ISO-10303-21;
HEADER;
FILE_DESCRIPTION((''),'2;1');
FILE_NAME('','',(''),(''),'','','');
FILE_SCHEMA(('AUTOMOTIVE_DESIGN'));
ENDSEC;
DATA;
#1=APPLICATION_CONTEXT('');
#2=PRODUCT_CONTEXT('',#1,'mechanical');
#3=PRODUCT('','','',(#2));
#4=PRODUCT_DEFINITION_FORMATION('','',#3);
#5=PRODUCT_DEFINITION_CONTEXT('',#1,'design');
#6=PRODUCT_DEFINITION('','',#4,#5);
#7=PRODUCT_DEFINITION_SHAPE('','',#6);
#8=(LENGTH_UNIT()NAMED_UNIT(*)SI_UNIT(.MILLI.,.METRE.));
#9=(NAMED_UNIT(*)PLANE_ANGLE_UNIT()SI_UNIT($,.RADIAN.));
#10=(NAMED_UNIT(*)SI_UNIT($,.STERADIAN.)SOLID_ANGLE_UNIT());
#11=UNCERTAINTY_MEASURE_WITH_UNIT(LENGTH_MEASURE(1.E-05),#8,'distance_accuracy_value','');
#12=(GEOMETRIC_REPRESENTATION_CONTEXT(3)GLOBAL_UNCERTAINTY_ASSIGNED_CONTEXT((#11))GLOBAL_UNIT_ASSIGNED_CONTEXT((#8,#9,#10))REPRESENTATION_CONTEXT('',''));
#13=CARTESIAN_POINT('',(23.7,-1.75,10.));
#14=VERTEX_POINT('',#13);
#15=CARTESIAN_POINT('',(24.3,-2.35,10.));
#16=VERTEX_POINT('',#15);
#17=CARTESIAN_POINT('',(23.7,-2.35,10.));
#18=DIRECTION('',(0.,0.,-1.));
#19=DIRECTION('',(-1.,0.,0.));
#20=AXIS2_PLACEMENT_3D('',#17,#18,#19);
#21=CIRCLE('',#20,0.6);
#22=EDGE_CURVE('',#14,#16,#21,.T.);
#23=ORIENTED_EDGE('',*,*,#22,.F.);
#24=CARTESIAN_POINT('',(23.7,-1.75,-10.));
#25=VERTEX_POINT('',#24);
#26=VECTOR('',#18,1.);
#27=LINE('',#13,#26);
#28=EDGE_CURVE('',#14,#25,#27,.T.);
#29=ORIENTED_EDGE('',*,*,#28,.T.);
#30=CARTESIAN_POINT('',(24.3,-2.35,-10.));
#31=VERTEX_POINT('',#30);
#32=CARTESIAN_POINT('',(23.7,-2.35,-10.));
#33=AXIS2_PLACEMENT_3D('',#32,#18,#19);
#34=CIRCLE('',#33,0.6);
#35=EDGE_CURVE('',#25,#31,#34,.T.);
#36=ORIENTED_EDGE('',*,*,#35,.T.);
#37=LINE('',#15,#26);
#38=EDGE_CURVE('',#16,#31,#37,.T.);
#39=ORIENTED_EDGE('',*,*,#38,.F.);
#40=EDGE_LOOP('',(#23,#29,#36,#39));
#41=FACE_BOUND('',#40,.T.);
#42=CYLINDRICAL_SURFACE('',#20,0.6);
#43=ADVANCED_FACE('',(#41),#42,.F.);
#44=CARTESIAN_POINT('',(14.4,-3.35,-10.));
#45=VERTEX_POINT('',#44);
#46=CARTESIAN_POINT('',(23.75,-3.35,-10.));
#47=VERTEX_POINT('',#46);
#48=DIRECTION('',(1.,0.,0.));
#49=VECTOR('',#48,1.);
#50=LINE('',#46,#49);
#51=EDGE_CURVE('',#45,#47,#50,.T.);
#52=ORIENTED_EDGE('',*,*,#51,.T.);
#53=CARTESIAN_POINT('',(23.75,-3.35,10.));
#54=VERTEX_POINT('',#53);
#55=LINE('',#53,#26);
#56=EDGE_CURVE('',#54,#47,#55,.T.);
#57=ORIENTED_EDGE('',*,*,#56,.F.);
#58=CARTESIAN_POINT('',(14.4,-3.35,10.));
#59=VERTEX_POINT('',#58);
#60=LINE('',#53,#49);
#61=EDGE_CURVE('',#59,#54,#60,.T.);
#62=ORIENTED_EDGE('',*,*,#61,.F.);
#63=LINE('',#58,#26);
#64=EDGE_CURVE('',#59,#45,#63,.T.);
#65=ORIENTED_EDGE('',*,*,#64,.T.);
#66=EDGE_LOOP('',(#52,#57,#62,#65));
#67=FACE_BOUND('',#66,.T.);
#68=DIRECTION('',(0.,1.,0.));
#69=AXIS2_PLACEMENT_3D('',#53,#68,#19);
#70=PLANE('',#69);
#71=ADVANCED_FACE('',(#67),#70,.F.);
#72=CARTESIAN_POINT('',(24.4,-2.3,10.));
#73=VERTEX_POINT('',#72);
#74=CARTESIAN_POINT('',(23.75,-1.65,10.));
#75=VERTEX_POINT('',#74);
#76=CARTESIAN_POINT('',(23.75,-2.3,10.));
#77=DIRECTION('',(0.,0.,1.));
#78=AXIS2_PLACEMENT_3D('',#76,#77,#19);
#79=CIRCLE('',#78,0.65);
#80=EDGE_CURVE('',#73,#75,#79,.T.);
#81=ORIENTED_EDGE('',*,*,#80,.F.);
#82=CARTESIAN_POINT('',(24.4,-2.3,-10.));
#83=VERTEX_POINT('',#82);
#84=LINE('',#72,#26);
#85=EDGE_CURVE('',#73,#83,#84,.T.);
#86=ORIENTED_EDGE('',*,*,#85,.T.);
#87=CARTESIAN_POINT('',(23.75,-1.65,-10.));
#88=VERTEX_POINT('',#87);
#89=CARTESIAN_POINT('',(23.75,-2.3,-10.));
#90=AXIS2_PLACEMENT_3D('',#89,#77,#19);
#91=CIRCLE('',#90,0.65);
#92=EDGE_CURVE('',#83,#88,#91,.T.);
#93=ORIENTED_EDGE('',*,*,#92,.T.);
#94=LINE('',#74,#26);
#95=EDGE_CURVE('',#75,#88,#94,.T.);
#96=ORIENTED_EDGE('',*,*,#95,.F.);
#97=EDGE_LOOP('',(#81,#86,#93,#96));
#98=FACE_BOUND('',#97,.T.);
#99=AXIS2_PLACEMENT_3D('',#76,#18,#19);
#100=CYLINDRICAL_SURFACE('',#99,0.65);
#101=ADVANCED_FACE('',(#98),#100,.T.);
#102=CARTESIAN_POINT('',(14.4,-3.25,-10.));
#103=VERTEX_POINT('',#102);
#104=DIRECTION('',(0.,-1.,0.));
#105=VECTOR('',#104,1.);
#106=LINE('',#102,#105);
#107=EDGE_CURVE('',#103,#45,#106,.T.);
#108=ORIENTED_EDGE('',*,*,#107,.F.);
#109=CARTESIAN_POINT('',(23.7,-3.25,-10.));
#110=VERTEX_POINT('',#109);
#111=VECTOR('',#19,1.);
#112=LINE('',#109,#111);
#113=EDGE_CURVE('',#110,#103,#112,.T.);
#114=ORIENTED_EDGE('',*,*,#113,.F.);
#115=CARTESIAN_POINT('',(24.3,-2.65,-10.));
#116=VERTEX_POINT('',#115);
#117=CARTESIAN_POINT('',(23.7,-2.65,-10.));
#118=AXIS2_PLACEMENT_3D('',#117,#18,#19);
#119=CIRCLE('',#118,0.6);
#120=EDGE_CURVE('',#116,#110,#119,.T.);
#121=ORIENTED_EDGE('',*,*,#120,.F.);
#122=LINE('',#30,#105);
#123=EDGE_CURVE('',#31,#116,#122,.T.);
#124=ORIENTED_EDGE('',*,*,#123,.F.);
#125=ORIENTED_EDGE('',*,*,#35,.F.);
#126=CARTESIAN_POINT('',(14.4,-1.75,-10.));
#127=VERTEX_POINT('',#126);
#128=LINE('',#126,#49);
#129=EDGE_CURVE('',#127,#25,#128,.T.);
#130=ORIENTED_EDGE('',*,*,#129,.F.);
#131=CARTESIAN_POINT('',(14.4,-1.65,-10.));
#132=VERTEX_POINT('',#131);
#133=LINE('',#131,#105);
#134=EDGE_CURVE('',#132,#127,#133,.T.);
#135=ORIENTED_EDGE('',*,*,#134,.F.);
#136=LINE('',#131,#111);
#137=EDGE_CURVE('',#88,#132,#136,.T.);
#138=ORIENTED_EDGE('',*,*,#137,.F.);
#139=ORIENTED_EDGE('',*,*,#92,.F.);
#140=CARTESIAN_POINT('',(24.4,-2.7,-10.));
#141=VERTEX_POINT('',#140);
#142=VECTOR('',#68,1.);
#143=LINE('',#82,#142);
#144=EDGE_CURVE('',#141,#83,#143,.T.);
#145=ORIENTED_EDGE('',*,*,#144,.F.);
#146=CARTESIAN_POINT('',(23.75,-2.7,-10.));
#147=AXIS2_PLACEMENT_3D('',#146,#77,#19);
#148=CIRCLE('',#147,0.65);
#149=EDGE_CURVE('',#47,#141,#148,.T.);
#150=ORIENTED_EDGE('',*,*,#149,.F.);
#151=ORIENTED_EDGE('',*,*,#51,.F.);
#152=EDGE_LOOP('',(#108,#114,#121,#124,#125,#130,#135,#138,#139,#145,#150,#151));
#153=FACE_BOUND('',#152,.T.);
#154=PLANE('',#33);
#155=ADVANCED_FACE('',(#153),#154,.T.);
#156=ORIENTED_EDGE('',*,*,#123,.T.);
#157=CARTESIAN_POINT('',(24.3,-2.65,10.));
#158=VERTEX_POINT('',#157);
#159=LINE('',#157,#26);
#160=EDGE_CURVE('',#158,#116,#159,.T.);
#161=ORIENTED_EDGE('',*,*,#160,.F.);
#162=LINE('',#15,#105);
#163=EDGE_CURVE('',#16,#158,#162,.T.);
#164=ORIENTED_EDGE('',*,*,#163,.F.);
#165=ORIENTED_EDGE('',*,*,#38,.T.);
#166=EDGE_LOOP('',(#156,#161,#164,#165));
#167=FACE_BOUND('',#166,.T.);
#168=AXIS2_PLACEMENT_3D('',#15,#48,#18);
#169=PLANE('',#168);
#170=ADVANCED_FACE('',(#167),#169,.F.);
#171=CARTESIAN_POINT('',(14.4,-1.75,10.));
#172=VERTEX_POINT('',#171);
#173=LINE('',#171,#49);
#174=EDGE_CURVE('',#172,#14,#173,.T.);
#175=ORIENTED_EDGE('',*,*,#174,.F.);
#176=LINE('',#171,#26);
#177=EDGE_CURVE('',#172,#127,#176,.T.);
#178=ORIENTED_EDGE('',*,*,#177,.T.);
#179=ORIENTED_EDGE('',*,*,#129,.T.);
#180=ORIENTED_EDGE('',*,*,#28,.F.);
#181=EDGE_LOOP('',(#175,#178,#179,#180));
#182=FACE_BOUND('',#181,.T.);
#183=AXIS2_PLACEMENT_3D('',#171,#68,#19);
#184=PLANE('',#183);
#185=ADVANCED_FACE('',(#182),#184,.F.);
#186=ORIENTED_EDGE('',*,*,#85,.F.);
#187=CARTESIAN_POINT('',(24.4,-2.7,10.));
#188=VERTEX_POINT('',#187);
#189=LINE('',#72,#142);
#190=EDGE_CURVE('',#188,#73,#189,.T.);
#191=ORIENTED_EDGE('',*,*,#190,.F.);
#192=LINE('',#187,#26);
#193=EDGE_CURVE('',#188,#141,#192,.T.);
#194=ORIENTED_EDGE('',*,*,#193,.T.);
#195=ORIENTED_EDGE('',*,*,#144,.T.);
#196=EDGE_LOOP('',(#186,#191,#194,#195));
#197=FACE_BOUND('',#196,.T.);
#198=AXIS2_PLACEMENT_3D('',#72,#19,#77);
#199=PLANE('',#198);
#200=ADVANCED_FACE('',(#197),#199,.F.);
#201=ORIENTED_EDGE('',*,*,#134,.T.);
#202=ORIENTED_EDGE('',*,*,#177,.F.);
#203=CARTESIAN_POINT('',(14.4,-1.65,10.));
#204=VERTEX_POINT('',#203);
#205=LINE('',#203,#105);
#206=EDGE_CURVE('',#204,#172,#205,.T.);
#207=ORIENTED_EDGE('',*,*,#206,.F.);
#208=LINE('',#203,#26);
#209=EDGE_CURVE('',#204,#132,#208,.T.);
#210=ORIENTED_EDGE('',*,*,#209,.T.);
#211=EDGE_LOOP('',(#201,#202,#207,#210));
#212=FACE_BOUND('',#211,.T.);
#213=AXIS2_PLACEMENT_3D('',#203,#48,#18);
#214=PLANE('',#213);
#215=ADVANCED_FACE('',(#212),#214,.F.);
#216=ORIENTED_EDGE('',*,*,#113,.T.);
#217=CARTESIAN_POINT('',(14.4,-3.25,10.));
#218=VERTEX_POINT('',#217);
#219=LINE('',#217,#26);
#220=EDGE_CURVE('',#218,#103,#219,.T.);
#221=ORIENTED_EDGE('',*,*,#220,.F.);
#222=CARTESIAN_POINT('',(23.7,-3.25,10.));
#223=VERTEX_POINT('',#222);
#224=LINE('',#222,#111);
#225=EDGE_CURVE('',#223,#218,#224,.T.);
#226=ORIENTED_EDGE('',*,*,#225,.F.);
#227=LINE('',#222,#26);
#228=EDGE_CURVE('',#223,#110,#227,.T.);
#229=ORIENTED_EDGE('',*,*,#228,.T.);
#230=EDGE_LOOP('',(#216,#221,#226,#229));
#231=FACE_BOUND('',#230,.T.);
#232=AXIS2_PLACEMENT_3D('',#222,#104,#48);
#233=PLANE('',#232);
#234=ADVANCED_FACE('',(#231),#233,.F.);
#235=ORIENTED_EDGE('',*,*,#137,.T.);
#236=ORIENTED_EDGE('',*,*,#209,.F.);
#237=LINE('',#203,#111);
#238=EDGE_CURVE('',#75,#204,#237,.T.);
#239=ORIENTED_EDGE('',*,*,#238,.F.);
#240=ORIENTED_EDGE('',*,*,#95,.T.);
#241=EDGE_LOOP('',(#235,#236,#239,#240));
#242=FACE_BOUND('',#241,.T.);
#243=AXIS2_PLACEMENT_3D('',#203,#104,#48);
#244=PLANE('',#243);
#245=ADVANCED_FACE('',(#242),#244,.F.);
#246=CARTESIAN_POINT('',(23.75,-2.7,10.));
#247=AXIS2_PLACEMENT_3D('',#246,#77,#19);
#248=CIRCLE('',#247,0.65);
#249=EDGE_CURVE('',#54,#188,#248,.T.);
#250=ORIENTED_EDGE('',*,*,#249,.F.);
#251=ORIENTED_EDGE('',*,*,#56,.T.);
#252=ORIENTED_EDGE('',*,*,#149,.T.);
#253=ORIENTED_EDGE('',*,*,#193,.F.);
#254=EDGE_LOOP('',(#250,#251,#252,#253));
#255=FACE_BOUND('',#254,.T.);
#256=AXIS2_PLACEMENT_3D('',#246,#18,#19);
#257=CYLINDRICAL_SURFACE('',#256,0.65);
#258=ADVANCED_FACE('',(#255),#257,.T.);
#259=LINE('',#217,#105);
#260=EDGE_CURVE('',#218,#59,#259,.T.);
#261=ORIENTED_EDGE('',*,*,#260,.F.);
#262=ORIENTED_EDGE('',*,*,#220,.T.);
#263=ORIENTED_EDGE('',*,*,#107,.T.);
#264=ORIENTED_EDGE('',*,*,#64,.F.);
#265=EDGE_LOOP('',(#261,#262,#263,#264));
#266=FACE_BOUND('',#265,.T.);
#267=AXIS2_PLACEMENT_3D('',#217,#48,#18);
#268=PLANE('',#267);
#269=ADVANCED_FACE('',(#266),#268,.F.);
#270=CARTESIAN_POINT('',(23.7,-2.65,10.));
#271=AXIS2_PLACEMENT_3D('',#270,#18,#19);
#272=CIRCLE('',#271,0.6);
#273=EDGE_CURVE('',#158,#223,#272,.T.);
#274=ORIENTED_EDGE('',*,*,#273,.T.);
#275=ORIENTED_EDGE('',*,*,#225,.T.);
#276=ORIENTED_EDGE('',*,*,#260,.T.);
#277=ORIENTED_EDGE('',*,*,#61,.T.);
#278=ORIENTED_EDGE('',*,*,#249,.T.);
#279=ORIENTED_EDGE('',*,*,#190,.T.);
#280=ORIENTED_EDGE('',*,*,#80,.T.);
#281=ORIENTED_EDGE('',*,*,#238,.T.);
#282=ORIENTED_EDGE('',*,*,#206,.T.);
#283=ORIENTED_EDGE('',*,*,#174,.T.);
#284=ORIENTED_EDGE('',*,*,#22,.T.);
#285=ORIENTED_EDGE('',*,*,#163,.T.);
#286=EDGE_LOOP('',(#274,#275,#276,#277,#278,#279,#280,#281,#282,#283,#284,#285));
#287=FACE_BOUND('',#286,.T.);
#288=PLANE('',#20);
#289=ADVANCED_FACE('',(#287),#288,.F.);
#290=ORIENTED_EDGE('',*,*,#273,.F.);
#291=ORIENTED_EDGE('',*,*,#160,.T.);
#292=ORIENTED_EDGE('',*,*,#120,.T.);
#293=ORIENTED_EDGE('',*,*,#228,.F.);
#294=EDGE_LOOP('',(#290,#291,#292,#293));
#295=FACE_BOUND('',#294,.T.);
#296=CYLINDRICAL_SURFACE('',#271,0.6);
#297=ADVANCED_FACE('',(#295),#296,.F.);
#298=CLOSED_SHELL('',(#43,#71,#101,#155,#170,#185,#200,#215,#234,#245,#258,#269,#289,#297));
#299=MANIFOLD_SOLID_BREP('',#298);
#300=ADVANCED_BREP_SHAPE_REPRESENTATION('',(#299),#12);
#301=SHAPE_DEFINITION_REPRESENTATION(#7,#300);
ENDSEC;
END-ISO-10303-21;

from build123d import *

# Parameters (mm, degrees)
EXTRUDE_1_DEPTH = 10


with BuildPart() as part:
    # Эскиз1 → Бобышка-Вытянуть1 (new, symmetric)
    with BuildSketch(Plane.XY):
        with BuildLine():
            Line((14.4, -1.65), (23.75, -1.65))
            ThreePointArc((23.75, -1.65), (24.209619408, -1.840380592), (24.4, -2.3))
            Line((24.4, -2.3), (24.4, -2.7))
            ThreePointArc((24.4, -2.7), (24.209619408, -3.159619408), (23.75, -3.35))
            Line((23.75, -3.35), (14.4, -3.35))
            Line((14.4, -3.35), (14.4, -3.25))
            Line((14.4, -3.25), (23.7, -3.25))
            ThreePointArc((23.7, -3.25), (24.124264069, -3.074264069), (24.3, -2.65))
            Line((24.3, -2.65), (24.3, -2.35))
            ThreePointArc((24.3, -2.35), (24.124264069, -1.925735931), (23.7, -1.75))
            Line((23.7, -1.75), (14.4, -1.75))
            Line((14.4, -1.75), (14.4, -1.65))
        make_face()
    extrude(amount=EXTRUDE_1_DEPTH, both=True)


solid = part.part
